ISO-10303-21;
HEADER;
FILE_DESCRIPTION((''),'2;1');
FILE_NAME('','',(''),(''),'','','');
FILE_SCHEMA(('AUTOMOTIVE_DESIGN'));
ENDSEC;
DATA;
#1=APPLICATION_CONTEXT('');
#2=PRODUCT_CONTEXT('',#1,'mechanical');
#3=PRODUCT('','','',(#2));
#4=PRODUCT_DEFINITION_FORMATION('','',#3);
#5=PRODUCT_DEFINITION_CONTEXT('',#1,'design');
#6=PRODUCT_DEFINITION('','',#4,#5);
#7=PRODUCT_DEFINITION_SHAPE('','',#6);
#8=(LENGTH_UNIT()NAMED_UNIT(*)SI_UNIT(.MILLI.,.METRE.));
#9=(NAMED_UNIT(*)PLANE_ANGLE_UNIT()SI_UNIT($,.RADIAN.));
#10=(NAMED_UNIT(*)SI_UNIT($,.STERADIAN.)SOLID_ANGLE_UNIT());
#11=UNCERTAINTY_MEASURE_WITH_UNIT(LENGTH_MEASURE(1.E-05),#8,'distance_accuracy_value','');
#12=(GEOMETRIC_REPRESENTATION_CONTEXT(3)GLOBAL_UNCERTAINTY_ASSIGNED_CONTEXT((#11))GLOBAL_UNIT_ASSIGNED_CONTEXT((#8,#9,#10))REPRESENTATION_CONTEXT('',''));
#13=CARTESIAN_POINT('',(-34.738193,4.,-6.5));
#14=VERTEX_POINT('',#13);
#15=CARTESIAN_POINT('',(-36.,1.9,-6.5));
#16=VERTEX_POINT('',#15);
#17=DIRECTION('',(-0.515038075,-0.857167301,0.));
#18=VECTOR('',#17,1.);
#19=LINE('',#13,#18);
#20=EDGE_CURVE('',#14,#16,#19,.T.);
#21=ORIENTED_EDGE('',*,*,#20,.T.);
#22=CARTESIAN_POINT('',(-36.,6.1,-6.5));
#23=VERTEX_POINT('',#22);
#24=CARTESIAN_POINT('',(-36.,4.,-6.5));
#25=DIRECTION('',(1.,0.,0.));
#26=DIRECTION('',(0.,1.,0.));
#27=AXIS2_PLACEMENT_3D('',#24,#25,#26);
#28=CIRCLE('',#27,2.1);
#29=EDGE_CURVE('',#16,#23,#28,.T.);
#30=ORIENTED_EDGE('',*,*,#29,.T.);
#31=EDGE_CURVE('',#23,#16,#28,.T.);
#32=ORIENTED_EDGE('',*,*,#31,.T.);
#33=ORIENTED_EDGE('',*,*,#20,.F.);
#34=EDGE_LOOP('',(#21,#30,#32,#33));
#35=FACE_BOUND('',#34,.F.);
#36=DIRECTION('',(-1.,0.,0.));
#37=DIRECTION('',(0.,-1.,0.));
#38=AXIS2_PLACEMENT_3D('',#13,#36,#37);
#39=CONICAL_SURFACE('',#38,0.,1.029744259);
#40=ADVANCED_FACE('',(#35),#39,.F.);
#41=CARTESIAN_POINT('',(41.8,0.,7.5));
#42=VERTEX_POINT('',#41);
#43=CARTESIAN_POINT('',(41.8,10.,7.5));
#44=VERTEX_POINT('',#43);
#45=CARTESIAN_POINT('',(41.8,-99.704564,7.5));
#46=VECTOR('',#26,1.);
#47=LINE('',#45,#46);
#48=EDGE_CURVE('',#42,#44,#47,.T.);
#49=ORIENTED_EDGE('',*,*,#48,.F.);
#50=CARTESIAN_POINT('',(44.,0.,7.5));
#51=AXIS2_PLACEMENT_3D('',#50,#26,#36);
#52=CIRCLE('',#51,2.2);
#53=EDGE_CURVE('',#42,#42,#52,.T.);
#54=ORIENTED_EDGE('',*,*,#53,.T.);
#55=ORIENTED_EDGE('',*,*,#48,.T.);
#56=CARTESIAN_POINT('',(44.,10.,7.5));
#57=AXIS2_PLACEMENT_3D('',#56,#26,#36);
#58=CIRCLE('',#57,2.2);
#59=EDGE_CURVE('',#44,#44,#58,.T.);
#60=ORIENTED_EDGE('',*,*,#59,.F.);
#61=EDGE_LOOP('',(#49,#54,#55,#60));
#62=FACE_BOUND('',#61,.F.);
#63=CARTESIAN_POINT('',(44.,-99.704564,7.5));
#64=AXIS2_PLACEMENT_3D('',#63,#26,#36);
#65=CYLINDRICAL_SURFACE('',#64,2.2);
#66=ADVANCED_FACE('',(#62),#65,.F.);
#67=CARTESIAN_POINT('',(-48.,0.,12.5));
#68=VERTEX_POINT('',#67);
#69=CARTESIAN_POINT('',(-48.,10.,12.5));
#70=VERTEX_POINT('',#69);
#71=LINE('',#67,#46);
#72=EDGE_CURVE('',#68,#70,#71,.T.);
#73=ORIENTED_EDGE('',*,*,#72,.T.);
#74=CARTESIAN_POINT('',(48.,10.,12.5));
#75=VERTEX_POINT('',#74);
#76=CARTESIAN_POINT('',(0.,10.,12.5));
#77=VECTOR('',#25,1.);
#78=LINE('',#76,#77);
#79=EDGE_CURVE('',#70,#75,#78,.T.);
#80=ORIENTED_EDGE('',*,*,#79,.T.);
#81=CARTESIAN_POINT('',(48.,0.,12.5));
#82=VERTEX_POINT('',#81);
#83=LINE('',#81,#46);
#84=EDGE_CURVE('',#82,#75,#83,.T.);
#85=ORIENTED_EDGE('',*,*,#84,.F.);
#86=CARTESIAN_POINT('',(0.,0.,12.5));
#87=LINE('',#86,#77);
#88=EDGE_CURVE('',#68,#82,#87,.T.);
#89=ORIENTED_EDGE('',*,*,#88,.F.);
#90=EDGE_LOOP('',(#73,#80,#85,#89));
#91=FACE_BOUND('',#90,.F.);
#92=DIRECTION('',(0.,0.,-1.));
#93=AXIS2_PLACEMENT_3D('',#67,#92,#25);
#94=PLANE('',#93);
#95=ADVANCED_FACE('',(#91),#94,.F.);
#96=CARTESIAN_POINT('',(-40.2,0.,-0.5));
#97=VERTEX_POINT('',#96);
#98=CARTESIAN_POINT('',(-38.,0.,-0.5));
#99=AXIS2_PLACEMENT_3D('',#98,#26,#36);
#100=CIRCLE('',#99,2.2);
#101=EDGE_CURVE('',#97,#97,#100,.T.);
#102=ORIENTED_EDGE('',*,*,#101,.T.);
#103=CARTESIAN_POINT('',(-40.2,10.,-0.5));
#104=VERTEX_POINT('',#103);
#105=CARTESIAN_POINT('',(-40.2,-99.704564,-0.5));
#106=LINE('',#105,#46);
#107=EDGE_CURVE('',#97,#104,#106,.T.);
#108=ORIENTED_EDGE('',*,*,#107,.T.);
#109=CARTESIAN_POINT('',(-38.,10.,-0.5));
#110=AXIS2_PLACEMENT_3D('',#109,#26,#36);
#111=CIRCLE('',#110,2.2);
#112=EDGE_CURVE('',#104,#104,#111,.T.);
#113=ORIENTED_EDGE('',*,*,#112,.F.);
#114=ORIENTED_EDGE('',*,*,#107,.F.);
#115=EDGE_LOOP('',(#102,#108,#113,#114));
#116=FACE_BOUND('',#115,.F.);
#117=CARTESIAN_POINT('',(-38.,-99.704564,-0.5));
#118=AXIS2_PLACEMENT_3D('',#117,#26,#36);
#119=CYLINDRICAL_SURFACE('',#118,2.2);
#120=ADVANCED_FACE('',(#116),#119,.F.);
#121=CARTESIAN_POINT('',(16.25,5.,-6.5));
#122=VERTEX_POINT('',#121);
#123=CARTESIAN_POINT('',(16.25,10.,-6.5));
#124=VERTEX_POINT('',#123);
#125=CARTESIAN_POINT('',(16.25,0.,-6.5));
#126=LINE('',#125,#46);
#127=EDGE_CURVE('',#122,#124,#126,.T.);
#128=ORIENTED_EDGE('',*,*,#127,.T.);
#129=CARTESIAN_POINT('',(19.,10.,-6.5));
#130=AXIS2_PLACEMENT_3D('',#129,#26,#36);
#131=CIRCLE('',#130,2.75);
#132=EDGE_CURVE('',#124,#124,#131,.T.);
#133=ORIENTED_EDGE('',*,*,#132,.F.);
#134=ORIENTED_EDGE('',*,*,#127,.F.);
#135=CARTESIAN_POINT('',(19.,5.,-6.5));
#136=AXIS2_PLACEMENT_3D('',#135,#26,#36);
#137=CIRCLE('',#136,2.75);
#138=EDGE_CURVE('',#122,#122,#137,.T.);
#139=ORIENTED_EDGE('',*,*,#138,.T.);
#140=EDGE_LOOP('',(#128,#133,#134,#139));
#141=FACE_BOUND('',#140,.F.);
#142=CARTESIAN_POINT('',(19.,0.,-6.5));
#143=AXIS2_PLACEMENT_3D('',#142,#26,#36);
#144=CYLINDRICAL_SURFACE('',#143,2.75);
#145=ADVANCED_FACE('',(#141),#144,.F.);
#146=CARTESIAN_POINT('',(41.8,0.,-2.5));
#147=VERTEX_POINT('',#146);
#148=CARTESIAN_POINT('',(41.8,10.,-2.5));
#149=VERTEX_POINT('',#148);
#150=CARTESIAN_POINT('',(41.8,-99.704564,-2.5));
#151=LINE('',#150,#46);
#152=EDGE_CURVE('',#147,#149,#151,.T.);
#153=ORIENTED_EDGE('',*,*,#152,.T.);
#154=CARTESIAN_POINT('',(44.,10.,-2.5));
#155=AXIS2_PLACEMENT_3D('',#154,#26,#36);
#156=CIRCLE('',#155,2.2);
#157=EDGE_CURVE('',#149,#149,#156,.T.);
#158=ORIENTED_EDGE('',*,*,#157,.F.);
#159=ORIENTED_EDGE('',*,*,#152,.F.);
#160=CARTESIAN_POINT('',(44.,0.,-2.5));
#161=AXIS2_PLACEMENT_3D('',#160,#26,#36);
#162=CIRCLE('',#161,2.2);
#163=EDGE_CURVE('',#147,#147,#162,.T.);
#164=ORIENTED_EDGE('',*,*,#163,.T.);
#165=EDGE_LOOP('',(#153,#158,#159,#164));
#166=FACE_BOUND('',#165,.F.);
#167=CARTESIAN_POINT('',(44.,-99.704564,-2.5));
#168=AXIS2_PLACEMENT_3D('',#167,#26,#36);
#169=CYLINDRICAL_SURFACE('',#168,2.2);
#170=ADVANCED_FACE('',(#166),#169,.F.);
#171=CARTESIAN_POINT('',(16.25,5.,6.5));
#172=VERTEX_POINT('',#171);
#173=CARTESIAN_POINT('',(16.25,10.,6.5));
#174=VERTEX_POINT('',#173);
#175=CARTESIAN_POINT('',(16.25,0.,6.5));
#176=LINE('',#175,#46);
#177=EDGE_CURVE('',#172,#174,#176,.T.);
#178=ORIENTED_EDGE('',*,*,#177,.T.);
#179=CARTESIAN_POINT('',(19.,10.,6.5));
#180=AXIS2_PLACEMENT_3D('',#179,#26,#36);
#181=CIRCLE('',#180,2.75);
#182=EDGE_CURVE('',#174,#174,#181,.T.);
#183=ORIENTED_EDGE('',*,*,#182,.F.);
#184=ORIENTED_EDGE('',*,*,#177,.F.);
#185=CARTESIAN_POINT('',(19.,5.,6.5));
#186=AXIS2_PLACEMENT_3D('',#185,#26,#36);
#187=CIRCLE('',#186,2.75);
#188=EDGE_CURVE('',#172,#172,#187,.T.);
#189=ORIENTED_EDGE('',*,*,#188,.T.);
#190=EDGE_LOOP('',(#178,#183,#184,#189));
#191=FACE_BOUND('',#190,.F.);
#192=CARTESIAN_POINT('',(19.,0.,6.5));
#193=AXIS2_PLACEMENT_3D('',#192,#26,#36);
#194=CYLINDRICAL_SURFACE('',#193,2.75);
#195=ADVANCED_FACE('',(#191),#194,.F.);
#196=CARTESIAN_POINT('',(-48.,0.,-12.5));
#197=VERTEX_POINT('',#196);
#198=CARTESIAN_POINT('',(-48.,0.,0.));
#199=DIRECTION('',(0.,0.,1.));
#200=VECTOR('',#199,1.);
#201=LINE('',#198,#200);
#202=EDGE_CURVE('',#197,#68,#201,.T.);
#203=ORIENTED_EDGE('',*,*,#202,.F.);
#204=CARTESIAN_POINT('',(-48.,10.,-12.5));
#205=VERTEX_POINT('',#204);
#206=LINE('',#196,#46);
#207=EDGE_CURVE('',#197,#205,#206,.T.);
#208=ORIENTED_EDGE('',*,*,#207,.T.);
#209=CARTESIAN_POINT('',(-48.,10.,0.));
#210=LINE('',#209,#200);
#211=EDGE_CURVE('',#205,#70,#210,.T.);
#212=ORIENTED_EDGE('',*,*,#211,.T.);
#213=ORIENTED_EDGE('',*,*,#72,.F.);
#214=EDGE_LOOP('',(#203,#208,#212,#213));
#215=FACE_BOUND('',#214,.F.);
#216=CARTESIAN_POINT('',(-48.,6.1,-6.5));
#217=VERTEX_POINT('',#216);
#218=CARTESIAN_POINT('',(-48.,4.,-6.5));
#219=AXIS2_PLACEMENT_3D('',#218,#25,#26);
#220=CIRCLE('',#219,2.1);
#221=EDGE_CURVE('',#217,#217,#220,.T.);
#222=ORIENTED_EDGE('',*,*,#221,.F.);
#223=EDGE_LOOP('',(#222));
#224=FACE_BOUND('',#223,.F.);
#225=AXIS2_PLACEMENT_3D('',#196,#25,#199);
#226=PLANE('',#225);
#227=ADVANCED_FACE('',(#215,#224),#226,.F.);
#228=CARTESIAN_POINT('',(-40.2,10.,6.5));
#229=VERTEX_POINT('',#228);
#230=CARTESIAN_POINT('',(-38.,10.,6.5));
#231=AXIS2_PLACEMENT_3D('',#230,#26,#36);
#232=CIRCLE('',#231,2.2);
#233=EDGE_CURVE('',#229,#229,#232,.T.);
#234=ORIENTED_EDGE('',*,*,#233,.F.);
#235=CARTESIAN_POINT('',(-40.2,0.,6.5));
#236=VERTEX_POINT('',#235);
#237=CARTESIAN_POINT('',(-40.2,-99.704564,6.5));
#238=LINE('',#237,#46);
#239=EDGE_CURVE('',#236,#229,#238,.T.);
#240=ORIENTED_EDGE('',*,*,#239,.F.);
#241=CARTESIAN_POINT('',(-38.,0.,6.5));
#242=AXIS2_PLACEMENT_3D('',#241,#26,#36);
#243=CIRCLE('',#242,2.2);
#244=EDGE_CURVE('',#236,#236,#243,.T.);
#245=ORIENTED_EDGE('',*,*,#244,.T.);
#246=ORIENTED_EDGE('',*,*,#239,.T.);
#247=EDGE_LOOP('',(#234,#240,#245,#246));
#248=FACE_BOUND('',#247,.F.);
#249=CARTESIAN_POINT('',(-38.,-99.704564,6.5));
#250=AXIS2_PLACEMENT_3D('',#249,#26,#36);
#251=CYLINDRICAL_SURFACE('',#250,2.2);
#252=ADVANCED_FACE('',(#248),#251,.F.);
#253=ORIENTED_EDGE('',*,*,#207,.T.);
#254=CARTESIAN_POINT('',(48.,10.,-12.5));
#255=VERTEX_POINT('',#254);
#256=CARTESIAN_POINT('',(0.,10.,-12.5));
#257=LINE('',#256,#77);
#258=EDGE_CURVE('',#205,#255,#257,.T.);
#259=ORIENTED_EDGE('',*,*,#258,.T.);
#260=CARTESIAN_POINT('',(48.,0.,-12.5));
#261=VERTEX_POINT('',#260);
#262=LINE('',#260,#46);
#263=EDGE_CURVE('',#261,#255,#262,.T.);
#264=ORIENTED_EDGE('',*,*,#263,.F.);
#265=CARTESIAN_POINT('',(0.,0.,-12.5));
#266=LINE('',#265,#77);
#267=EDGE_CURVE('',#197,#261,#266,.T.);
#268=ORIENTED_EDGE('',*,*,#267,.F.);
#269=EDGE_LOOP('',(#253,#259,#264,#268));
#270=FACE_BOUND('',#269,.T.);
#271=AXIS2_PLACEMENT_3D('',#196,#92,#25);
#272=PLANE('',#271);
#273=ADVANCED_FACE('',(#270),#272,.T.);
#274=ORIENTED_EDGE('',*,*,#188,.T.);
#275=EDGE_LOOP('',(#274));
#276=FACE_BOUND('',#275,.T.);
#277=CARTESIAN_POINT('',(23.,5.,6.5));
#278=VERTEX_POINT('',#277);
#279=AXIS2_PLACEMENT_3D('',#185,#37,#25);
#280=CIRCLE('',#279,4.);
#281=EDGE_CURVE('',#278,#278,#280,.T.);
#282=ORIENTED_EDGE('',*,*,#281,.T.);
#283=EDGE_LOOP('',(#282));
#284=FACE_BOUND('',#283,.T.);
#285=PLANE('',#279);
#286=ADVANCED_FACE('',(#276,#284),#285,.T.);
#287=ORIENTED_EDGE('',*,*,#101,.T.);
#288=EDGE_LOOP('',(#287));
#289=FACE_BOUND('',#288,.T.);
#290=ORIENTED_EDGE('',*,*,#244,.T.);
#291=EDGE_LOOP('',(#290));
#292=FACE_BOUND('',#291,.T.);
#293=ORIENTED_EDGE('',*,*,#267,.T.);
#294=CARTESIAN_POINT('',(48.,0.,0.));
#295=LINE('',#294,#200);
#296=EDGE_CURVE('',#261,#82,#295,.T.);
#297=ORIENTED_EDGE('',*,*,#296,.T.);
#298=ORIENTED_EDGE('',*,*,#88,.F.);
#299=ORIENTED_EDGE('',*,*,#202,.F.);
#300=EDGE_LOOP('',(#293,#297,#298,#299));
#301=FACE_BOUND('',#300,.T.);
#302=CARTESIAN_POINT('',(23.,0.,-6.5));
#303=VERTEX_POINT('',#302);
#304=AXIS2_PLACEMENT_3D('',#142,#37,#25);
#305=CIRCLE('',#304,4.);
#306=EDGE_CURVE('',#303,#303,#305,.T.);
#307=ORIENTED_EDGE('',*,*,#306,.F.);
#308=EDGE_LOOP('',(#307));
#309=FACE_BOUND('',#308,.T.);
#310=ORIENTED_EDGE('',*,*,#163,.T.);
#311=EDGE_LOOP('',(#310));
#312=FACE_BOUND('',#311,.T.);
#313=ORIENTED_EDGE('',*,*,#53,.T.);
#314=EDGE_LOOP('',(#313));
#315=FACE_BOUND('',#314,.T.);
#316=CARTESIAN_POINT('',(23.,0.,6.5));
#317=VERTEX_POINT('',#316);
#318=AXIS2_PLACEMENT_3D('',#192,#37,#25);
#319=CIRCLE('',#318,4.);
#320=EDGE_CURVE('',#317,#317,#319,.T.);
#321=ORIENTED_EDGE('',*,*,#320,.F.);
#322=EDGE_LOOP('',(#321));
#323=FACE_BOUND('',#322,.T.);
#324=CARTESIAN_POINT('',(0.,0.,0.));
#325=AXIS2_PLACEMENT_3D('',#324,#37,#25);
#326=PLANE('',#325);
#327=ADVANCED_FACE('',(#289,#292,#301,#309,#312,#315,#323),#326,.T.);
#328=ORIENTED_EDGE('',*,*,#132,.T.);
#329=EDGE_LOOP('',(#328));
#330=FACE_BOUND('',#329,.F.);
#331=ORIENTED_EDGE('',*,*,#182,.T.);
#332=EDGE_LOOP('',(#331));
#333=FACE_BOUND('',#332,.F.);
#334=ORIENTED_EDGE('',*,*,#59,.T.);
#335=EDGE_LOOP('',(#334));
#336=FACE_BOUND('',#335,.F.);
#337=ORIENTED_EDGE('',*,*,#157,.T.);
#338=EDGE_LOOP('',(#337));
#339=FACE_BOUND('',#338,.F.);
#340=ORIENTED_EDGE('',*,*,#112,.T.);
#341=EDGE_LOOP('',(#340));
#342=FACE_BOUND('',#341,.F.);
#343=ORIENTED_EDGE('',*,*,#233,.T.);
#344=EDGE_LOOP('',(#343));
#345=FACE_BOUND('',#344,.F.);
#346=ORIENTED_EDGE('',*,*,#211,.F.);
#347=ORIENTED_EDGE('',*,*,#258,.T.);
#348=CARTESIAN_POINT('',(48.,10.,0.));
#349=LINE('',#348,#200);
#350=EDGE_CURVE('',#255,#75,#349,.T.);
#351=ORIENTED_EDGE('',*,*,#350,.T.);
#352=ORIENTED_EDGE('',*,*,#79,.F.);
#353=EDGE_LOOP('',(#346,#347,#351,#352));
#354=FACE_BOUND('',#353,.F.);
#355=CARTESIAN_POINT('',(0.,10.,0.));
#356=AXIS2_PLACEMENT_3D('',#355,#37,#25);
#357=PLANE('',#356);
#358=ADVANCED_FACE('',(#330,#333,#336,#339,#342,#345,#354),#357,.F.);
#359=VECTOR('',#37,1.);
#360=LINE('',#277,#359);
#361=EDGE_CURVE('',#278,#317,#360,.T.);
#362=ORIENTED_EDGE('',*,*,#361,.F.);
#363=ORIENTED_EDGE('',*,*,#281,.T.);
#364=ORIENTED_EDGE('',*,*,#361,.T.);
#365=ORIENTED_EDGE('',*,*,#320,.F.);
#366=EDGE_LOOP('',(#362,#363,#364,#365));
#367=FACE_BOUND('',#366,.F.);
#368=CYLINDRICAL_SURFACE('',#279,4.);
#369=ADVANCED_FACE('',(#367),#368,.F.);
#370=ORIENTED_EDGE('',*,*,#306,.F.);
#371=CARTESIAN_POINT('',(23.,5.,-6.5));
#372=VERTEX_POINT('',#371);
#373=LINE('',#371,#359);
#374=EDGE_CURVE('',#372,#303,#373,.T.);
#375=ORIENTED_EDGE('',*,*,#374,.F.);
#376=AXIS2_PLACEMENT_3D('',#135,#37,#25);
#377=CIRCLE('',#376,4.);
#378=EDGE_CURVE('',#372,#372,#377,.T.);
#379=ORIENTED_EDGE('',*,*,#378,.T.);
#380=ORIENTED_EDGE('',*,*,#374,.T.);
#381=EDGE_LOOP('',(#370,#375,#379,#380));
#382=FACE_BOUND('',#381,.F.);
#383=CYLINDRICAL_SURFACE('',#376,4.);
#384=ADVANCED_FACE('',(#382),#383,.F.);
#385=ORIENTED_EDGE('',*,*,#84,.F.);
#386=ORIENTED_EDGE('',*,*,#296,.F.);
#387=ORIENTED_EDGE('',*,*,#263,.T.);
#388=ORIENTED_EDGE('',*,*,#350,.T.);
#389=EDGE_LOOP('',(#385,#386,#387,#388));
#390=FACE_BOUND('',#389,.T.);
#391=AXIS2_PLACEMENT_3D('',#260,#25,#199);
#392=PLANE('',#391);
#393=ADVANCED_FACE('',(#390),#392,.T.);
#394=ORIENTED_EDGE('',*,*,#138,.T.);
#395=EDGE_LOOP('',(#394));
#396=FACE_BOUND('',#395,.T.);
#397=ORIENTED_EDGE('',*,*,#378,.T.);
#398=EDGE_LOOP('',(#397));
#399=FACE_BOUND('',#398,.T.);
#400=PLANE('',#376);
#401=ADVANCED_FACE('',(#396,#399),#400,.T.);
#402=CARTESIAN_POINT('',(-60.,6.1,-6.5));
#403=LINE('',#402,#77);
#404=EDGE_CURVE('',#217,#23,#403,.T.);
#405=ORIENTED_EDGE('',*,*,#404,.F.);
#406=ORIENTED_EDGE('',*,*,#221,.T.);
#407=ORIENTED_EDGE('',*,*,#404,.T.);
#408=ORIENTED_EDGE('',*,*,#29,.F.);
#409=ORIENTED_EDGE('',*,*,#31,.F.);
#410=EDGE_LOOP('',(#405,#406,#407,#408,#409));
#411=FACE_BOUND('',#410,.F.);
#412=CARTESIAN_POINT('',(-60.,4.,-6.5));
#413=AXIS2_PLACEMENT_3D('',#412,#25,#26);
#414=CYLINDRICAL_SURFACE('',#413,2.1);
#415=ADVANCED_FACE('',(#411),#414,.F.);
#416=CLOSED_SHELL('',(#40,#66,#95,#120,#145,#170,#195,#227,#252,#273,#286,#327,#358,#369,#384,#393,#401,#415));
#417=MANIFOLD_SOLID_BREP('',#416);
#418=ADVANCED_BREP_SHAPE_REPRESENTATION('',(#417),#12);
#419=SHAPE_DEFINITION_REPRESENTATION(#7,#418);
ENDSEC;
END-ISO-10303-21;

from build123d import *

# Parameters (mm, degrees)
F0_W           = 96
F0_H           = 25
F1_DEPTH       = 10
F2_D           = 5.5
F2_CBORE_D     = 8
F2_CBORE_DEPTH = 5
F3_D           = 4.4
F5_D           = 4.2
F5_DEPTH       = 12
F5_TIP         = 1.2618073


with BuildPart() as f1:
    # F0 (on Front) → F1 (new body)
    with BuildSketch(Plane.XZ):
        Rectangle(F0_W, F0_H)
    extrude(amount=-F1_DEPTH)

    # F2 (through all)
    with Locations(Plane.XZ):
        with Locations((19, 6.5), (19, -6.5)):
            CounterBoreHole(F2_D / 2, F2_CBORE_D / 2, F2_CBORE_DEPTH)

    # F3 (through all)
    with Locations(Plane.XZ):
        with Locations((44, 7.5), (44, -2.5), (-38, 6.5), (-38, -0.5)):
            Hole(F3_D / 2)

    # F5
    with Locations(Plane(origin=(-48, 0, 0), x_dir=(0, -1, 0), z_dir=(-1, 0, 0))):
        with Locations((-4, -6.5)):
            Hole(F5_D / 2, depth=F5_DEPTH)
            with Locations((0, 0, -(F5_DEPTH + F5_TIP / 2))):  # 118° drill point
                Cone(0, F5_D / 2, F5_TIP, mode=Mode.SUBTRACT)


solid = f1.part
